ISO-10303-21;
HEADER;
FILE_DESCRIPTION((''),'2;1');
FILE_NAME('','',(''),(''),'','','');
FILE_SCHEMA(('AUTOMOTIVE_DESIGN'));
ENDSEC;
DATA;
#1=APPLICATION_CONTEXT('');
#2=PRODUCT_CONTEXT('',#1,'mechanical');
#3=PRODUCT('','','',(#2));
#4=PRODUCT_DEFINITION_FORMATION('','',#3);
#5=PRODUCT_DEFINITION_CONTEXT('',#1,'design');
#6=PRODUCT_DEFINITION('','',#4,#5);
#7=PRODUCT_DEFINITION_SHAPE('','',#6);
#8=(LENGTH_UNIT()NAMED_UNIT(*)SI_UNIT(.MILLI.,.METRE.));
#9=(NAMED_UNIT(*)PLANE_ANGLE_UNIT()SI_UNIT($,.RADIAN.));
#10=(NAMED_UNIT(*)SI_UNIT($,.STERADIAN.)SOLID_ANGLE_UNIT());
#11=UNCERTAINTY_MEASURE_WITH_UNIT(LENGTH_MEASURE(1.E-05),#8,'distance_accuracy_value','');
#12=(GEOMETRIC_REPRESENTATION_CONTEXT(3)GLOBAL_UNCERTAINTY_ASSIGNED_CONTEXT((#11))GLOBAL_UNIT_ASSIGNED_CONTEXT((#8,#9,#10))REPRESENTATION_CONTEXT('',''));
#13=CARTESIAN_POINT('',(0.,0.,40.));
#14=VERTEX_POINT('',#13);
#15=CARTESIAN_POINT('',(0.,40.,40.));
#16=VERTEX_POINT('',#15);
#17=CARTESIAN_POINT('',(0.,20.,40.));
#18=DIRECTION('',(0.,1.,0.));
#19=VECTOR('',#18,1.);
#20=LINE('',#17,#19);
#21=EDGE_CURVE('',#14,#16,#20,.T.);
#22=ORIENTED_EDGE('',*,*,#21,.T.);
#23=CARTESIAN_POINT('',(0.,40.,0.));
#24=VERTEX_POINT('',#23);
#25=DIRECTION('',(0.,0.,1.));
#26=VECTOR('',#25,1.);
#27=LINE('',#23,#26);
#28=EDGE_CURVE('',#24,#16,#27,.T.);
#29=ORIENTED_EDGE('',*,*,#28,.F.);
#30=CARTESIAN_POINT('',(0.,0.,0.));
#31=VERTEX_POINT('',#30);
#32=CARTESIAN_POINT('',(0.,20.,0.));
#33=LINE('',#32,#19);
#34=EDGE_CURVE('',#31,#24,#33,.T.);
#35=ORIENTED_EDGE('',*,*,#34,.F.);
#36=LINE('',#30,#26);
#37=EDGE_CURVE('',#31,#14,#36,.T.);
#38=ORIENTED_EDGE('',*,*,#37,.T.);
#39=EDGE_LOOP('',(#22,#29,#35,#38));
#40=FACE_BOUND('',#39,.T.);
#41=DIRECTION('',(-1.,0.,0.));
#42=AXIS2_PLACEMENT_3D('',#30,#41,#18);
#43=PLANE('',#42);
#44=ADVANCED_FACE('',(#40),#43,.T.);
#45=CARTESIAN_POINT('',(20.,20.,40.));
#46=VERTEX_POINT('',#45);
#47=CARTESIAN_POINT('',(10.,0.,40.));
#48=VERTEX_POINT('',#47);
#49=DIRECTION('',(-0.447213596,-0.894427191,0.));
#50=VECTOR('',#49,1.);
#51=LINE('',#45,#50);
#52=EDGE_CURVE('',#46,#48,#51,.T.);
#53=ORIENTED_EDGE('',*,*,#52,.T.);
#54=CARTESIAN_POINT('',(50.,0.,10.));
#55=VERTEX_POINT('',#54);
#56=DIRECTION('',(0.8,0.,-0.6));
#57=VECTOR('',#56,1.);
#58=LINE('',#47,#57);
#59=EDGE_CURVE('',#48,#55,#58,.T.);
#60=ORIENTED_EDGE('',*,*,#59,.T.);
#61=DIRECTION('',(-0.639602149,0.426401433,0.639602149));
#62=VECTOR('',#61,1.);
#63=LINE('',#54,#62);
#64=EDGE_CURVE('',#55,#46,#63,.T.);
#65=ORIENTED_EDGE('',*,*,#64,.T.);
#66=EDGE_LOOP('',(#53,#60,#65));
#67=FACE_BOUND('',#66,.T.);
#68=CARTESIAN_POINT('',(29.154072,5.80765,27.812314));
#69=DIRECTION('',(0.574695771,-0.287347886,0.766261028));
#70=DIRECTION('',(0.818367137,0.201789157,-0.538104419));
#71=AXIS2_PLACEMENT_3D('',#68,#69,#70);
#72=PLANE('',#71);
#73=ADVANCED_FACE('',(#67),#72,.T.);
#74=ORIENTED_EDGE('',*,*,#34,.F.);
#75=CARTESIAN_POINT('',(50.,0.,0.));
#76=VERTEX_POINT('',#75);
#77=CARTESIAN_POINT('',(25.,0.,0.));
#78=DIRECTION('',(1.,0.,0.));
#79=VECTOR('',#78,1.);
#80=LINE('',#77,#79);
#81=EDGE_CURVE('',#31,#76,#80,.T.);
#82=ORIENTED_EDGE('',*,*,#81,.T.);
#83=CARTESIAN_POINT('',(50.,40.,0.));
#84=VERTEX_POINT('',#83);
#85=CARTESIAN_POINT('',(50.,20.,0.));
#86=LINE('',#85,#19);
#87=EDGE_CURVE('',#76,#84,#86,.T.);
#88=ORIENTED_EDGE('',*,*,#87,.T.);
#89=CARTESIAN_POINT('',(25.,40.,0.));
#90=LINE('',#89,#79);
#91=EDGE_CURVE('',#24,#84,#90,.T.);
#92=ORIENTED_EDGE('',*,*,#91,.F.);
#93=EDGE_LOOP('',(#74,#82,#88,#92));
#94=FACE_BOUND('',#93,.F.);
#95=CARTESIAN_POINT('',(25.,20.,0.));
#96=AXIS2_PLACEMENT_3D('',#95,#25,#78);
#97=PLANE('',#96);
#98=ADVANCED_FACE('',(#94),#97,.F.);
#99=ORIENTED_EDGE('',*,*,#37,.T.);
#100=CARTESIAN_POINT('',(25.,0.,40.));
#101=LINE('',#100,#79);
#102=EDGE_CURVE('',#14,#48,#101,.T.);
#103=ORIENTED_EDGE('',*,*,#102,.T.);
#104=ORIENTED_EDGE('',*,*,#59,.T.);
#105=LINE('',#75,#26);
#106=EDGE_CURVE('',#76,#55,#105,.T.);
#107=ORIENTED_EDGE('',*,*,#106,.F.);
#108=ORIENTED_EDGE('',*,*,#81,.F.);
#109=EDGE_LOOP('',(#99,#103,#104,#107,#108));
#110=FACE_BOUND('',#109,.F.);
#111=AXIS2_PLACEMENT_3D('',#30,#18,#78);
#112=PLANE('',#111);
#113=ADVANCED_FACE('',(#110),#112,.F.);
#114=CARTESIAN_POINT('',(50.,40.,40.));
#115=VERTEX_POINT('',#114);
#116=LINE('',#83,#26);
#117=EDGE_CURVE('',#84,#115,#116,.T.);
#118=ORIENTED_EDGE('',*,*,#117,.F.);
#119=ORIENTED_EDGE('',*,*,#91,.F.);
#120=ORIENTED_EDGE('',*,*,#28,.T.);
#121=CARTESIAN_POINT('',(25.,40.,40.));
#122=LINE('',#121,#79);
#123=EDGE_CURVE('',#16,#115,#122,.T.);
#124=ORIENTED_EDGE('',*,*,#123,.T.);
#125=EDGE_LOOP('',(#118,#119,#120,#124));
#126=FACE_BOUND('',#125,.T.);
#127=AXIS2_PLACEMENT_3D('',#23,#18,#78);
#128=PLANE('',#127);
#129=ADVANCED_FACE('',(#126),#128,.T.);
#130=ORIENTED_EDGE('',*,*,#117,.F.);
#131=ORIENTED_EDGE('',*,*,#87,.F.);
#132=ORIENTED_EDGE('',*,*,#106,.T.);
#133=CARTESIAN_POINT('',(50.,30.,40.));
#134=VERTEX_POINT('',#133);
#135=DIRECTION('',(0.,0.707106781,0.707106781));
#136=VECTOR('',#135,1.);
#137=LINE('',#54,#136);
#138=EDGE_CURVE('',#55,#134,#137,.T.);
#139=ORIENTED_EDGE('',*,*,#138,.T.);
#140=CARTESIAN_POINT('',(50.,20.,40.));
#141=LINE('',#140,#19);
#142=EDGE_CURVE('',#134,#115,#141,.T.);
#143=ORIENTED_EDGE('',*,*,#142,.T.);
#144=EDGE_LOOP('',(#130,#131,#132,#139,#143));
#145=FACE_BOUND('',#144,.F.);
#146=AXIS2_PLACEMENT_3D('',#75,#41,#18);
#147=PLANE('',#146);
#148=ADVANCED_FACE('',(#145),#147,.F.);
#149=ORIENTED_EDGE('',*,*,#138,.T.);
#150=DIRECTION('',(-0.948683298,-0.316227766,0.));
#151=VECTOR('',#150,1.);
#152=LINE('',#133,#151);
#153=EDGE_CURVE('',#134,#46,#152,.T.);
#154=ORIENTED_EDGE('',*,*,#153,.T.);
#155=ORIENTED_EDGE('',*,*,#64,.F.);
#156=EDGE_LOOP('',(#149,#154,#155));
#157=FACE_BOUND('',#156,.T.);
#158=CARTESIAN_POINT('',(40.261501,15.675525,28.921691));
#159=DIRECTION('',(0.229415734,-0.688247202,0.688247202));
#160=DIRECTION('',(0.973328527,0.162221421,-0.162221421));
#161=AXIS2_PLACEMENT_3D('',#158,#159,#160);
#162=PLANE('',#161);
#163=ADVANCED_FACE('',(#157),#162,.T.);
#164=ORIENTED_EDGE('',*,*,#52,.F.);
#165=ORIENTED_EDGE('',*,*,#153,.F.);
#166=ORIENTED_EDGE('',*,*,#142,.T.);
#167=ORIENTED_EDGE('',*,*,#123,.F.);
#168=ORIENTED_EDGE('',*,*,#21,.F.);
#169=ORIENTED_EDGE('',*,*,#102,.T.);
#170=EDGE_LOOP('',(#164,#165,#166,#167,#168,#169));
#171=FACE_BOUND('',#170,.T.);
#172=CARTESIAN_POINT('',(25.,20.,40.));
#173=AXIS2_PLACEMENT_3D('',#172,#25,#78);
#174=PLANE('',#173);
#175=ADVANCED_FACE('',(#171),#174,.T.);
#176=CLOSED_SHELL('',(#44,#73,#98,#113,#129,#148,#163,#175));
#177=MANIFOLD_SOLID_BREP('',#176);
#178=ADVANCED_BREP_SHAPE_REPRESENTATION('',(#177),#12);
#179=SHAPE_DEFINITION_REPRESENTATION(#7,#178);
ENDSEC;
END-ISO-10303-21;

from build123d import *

# Parameters (mm, degrees)
F0_W     = 50
F0_H     = 40
F1_DEPTH = 40
F6_DEPTH = 22.9888308453
F9_DEPTH = 20.6484160484


with BuildPart() as f1:
    # F0 (on Top) → F1 (new body)
    with BuildSketch(Plane.XY):
        with Locations((25, 20)):
            Rectangle(F0_W, F0_H)
    extrude(amount=F1_DEPTH)

    # F5 (on 3pt) → F6 (cut, through all)
    with BuildSketch(Plane(origin=(20.9174311927, -10.4587155963, 27.8899082569), x_dir=(0.8183671368, 0.201789157, -0.5381044187), z_dir=(0.5746957711, -0.2873478856, 0.7662610282))):
        Polygon((-1.1210508724, 32.7715212149), (-13.3405053812, 14.0449376635), (35.5373126541, 3.5112344159), align=None)
    extrude(amount=F6_DEPTH, mode=Mode.SUBTRACT)

    # F8 (on 3pt) → F9 (cut, through all)
    with BuildSketch(Plane(origin=(4.2105263158, -12.6315789474, 12.6315789474), x_dir=(0.9733285268, 0.1622214211, -0.1622214211), z_dir=(0.2294157339, -0.6882472016, 0.6882472016))):
        Polygon((47.0442121279, 49.4974746831), (16.2221421131, 42.4264068712), (47.0442121279, 7.0710678119), align=None)
    extrude(amount=F9_DEPTH, mode=Mode.SUBTRACT)


solid = f1.part
